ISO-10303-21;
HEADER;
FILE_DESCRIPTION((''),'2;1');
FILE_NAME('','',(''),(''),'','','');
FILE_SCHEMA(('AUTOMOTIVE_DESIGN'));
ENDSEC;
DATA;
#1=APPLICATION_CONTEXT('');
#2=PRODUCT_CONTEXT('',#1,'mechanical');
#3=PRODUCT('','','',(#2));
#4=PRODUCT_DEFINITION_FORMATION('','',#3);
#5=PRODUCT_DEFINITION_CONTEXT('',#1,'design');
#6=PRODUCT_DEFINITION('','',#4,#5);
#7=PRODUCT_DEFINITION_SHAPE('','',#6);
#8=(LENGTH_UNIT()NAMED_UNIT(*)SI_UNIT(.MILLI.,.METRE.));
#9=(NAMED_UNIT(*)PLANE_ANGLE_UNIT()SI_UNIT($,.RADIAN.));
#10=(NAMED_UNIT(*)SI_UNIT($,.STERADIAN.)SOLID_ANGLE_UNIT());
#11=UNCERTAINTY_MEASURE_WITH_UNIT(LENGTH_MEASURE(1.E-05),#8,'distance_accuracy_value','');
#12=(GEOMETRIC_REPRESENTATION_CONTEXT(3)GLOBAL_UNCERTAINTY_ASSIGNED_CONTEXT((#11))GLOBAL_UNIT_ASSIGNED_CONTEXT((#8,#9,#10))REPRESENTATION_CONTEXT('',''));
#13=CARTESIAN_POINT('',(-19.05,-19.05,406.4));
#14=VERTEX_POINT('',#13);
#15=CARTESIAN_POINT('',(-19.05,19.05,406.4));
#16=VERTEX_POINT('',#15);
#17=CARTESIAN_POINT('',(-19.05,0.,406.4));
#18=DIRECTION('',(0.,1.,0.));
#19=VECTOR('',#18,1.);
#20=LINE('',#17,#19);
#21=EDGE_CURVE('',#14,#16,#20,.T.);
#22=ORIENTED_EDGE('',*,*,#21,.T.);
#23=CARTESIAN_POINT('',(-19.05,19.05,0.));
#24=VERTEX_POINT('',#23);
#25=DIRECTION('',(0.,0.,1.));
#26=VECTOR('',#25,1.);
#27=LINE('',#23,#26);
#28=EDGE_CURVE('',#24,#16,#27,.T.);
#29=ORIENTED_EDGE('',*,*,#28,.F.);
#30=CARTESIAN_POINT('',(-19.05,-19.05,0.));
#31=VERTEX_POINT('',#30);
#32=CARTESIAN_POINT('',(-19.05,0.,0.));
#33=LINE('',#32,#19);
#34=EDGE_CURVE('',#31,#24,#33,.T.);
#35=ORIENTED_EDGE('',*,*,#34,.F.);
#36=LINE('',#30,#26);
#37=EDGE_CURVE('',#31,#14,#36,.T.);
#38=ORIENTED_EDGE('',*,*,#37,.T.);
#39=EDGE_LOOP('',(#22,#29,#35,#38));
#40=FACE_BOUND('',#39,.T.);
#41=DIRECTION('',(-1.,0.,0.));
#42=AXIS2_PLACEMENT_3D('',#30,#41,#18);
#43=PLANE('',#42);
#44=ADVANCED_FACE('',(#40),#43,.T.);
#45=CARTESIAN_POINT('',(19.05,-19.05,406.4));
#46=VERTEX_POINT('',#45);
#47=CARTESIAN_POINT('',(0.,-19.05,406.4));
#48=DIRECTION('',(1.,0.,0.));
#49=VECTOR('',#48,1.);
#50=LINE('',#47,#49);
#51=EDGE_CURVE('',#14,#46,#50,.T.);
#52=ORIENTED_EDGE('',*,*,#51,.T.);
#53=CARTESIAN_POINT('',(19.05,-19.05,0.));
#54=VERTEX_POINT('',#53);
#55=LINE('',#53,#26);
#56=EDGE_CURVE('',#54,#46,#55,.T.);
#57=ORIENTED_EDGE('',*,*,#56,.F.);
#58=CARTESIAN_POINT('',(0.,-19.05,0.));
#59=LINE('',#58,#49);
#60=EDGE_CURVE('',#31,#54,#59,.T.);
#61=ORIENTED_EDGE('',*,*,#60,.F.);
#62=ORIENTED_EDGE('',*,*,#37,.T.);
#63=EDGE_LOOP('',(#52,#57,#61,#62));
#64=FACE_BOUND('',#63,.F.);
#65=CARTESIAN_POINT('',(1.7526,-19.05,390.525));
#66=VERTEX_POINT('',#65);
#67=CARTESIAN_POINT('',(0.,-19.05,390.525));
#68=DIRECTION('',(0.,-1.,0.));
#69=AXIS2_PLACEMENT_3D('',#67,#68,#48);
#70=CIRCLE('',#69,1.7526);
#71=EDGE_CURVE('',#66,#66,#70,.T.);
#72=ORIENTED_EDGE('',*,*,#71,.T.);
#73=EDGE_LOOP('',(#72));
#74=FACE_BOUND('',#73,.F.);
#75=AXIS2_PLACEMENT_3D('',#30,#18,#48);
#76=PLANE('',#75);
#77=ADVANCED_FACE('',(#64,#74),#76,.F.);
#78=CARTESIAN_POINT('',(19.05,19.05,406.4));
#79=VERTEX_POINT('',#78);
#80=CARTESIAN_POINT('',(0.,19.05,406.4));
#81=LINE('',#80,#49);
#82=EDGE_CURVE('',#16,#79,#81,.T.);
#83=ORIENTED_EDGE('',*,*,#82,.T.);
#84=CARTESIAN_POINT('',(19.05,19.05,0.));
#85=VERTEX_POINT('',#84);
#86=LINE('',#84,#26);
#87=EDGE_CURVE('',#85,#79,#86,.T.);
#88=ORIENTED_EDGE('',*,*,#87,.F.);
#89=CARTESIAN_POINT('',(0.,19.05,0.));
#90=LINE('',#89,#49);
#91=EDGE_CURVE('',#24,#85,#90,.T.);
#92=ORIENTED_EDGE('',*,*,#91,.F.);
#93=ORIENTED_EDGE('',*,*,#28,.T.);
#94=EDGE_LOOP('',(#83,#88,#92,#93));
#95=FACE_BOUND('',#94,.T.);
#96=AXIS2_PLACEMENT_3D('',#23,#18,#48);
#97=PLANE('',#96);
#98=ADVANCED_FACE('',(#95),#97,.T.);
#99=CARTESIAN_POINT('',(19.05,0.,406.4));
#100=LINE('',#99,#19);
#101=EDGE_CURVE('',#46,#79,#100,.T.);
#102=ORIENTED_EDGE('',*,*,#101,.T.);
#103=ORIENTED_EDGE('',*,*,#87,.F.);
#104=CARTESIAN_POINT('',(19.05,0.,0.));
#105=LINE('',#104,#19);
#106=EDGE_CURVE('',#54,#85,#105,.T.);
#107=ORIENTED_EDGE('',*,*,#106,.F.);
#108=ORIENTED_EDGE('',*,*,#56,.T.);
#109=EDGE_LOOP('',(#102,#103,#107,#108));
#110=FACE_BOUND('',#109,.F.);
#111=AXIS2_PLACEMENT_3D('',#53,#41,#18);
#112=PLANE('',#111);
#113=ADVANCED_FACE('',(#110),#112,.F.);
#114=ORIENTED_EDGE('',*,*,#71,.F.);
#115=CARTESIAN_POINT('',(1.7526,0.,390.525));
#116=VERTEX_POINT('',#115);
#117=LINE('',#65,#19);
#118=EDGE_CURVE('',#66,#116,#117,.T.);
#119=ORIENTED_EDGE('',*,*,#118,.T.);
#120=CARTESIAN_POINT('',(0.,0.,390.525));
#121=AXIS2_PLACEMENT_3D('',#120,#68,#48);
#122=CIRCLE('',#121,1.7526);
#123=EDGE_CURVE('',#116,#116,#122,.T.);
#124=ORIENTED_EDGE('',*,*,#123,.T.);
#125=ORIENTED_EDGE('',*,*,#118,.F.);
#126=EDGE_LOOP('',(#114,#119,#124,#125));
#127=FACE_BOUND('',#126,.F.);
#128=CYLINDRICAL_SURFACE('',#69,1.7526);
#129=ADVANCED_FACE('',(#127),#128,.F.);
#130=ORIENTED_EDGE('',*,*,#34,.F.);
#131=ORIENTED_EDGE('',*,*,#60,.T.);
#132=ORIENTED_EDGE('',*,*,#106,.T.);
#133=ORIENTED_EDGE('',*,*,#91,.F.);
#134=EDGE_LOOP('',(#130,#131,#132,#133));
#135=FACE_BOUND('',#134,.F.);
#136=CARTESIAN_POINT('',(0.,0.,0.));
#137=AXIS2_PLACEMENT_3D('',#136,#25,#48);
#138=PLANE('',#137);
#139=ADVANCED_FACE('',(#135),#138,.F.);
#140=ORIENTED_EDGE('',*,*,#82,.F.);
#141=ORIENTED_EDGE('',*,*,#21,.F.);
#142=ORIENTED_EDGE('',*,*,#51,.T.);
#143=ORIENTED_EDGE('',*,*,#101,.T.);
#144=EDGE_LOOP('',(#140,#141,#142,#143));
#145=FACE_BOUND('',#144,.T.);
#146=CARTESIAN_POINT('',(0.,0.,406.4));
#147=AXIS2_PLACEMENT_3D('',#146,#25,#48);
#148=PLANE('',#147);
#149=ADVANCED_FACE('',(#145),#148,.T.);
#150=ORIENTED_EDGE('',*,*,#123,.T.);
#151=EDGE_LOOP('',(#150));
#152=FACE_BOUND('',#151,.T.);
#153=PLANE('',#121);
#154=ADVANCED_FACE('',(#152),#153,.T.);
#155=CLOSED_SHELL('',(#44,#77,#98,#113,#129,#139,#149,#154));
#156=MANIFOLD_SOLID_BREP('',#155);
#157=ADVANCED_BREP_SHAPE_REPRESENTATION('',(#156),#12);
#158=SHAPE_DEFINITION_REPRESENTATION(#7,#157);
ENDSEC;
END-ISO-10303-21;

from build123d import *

# Parameters (mm, degrees)
F0_W     = 38.1
F0_H     = 38.1
F1_DEPTH = 406.4
F2_R     = 1.7526
F3_DEPTH = 19.05


with BuildPart() as f1:
    # F0 (on Top) → F1 (new body)
    with BuildSketch(Plane.XY):
        Rectangle(F0_W, F0_H)
    extrude(amount=F1_DEPTH)

    # F2 (on face) → F3 (cut)
    with BuildSketch(Plane.XZ.offset(19.05)):
        with Locations((0, 390.525)):
            Circle(F2_R)
    extrude(amount=-F3_DEPTH, mode=Mode.SUBTRACT)


solid = f1.part
